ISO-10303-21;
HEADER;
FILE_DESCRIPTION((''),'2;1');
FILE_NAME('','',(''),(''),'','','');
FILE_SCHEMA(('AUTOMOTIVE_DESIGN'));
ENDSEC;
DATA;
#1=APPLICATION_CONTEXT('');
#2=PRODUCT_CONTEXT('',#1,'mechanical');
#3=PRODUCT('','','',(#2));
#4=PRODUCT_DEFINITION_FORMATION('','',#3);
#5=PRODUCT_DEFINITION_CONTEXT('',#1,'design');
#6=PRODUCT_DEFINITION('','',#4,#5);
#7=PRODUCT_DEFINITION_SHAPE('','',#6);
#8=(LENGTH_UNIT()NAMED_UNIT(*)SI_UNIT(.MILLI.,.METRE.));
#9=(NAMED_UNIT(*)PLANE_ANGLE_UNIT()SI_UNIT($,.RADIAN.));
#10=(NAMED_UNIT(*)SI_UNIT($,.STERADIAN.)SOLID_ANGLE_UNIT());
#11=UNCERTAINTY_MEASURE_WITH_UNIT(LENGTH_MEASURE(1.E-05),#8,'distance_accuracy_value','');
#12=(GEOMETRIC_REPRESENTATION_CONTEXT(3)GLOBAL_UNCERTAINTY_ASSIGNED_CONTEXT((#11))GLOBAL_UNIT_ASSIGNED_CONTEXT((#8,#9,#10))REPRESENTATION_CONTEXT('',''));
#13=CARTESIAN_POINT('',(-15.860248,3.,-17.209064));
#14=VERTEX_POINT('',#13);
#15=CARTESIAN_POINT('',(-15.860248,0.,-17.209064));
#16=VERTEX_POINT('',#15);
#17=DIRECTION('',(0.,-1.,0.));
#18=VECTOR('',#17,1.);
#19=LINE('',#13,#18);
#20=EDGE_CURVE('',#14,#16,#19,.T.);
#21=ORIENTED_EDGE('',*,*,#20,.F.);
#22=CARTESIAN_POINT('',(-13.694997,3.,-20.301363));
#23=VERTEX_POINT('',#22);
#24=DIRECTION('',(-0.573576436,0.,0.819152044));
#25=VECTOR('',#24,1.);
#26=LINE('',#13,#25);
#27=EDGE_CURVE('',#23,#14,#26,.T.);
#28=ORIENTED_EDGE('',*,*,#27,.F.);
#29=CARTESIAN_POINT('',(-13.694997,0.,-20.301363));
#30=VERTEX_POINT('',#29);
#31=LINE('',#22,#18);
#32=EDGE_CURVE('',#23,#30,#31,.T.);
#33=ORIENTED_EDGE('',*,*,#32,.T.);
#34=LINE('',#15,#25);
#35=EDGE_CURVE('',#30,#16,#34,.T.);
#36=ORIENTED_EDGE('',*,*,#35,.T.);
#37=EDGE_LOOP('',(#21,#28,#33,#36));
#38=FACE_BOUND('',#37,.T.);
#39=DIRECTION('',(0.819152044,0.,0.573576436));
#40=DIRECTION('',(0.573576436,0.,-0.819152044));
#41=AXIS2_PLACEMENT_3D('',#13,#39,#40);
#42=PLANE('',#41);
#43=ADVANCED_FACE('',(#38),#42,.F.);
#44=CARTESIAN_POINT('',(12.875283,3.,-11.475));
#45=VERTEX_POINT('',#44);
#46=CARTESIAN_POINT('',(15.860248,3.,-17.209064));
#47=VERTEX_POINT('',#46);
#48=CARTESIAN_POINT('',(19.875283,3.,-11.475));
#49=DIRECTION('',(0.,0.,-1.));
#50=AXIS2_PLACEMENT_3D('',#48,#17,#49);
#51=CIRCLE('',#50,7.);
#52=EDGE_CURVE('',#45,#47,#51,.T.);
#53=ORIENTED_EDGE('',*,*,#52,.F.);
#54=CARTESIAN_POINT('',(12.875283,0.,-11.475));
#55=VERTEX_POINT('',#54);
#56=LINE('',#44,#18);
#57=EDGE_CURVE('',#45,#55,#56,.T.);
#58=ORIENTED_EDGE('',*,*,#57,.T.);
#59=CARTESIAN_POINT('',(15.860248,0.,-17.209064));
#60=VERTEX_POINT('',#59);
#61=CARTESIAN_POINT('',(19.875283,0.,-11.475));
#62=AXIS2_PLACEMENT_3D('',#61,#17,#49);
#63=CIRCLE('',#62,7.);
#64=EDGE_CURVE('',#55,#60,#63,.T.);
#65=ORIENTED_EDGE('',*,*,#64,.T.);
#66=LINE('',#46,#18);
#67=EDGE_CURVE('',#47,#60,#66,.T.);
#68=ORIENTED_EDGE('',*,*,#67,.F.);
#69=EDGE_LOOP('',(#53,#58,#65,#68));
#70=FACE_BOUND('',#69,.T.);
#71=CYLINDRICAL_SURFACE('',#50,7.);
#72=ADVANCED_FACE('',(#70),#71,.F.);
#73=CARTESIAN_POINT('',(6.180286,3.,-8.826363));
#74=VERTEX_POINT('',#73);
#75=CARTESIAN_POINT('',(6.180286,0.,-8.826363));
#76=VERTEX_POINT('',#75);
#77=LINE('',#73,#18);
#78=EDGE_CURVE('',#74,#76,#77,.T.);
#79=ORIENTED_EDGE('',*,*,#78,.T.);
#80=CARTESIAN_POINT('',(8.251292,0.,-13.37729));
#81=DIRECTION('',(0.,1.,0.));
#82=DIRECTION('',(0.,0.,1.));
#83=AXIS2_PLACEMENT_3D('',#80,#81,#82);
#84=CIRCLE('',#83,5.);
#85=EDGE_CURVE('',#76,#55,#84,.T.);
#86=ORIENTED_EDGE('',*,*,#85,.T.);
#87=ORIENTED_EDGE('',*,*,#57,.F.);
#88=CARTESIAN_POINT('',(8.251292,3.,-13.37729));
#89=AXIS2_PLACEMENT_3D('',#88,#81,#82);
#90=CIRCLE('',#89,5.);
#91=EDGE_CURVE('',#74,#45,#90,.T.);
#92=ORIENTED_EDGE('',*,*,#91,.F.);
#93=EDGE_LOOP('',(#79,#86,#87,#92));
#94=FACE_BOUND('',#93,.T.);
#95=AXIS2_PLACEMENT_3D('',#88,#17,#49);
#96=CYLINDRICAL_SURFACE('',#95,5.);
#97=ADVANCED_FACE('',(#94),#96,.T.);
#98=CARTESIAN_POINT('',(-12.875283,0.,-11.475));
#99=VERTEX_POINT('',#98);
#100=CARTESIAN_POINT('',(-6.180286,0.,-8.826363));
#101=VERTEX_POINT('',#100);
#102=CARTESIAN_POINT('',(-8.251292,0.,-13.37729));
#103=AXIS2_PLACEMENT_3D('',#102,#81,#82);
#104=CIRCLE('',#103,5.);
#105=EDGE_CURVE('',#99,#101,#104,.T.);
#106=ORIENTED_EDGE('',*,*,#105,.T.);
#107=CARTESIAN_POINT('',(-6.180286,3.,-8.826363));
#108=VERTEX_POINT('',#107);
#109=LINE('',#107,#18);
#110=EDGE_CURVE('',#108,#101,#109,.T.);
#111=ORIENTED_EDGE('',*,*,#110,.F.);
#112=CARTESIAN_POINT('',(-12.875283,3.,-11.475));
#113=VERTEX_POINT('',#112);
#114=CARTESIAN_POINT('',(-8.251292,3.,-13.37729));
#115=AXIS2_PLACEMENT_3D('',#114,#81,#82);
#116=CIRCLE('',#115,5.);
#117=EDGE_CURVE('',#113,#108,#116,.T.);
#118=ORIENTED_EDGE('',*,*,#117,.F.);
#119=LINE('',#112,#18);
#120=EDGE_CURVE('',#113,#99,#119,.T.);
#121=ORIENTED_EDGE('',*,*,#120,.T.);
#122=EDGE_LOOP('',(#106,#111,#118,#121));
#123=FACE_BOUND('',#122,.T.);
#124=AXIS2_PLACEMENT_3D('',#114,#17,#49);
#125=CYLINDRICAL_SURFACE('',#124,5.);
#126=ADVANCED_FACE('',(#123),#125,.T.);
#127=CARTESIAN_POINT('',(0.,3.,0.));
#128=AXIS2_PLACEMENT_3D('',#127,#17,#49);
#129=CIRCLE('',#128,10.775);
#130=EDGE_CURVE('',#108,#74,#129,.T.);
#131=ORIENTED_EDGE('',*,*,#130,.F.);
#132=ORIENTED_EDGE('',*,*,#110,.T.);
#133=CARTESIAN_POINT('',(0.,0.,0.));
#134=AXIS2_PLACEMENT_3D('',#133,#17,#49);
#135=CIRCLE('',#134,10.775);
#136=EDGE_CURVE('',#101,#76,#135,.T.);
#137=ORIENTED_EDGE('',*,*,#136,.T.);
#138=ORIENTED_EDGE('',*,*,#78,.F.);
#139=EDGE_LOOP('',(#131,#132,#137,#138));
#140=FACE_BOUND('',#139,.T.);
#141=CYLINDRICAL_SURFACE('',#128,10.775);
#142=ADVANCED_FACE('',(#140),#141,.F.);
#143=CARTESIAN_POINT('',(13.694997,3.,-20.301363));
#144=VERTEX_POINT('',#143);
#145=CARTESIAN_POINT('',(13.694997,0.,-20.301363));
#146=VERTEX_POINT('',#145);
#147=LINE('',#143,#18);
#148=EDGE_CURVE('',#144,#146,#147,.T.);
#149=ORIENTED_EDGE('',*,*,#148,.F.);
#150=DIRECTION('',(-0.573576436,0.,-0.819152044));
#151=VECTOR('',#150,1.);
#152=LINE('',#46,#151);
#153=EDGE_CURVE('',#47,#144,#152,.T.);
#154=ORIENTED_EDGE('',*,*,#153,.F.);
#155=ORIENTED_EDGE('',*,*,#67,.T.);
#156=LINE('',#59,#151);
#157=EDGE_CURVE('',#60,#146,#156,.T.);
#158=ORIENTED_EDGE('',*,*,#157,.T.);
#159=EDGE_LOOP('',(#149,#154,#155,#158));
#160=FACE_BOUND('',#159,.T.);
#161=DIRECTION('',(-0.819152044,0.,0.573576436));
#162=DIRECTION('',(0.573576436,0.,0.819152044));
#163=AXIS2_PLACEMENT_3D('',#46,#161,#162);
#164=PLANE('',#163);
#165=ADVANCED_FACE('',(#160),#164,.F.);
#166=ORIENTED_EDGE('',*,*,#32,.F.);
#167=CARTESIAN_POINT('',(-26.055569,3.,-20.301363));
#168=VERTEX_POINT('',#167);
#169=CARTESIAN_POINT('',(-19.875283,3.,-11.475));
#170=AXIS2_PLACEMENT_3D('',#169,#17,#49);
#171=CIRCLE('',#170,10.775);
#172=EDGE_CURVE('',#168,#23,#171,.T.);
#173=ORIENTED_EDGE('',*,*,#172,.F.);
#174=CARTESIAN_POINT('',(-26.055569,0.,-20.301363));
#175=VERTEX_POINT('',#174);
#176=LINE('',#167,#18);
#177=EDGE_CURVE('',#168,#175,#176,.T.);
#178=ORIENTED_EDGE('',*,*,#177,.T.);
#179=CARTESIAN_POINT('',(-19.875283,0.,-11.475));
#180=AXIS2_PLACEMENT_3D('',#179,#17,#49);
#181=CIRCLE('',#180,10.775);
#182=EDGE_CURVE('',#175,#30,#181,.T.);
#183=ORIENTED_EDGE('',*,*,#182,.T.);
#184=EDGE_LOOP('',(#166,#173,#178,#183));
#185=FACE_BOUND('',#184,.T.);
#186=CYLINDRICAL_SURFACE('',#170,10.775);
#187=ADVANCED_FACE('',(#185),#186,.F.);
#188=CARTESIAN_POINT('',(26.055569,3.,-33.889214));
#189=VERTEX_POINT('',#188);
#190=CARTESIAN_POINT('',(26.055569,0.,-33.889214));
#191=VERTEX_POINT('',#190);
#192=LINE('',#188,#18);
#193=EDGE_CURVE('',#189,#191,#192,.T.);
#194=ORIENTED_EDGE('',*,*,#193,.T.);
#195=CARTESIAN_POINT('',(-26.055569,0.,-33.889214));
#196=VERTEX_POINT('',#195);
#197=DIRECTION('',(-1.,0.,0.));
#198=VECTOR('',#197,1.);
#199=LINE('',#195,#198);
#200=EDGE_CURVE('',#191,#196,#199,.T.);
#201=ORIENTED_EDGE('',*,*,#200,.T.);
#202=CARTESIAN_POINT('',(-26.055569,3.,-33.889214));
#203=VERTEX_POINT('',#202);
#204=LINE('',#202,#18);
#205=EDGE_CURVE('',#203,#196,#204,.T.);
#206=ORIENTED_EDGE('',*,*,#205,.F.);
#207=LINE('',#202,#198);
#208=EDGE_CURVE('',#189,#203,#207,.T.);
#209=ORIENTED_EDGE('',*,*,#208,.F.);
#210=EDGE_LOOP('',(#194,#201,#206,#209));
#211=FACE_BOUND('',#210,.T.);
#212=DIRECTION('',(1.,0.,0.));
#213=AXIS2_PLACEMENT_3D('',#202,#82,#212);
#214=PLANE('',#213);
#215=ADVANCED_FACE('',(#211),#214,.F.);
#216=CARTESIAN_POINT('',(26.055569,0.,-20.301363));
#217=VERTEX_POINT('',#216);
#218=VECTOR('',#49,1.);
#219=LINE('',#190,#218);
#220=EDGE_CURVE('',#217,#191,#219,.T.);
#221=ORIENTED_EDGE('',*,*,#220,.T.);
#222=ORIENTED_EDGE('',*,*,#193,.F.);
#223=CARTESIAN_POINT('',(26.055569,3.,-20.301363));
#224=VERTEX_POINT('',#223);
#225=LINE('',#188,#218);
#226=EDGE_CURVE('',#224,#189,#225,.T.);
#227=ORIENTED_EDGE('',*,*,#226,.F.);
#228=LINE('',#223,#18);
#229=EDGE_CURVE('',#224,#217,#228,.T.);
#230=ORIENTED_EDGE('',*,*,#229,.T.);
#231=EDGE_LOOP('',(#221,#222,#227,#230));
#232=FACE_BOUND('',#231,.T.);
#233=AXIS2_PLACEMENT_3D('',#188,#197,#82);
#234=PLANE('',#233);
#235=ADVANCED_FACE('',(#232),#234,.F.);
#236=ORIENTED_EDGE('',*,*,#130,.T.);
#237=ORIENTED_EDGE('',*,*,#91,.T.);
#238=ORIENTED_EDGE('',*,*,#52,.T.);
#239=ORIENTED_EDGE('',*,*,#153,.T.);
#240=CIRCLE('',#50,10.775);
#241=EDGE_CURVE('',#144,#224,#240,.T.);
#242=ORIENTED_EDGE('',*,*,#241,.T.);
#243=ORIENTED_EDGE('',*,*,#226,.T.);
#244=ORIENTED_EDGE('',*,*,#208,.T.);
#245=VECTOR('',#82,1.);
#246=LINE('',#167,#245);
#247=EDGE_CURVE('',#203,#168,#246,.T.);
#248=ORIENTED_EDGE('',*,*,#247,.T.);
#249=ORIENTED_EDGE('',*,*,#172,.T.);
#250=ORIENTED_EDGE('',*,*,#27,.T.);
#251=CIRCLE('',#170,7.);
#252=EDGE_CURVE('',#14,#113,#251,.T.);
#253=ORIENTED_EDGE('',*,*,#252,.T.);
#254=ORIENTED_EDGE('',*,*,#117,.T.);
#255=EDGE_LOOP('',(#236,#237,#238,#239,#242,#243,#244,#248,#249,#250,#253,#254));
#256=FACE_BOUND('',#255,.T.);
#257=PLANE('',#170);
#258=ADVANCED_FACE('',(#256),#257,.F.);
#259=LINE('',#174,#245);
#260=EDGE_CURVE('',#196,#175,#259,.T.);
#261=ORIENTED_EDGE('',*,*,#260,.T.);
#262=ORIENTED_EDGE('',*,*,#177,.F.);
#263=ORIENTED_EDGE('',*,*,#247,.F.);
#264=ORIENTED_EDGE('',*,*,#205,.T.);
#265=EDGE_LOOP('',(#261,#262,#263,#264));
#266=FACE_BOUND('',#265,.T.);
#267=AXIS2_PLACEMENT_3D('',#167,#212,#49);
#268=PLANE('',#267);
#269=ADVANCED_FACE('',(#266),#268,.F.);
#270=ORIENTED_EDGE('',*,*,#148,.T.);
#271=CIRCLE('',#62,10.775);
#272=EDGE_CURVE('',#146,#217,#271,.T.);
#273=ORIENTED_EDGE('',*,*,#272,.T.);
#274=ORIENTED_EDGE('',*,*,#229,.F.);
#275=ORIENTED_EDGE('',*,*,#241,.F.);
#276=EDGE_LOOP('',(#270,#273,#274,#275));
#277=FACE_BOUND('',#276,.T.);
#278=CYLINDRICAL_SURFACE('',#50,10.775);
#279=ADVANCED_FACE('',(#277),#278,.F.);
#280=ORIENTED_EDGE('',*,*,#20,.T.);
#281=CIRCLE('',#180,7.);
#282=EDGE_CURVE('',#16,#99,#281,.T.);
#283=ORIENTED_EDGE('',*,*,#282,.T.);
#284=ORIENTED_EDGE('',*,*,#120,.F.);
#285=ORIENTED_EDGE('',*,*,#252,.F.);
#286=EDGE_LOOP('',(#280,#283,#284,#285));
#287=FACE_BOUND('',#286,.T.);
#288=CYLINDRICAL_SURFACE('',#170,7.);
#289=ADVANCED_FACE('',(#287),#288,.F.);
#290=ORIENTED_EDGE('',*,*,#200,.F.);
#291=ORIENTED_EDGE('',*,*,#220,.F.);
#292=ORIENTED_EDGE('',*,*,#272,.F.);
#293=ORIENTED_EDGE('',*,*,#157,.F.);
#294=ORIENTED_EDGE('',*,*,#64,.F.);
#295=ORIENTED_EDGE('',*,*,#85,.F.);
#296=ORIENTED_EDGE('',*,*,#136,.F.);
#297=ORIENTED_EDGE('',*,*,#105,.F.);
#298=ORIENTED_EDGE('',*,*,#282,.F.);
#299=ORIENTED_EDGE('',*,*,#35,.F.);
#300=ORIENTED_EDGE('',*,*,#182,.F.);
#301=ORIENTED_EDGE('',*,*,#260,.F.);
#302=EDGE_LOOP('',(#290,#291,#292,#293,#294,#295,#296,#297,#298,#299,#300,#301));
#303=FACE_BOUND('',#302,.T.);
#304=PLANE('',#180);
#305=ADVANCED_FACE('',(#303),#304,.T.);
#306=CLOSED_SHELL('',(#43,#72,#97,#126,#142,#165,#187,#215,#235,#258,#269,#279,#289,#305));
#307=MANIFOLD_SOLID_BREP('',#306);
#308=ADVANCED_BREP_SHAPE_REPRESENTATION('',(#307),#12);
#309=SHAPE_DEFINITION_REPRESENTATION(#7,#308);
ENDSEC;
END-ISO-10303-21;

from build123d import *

# Parameters (mm, degrees)
BOSS_EXTRUDE1_DEPTH = 3


with BuildPart() as part:
    # Sketch2 → Boss-Extrude1 (new body)
    with BuildSketch(Plane(origin=(0, 0, 0), x_dir=(1, 0, 0), z_dir=(0, 1, 0))):
        with BuildLine():
            Line((-15.860247962, 17.20906431), (-13.694996915, 20.301363277))
            ThreePointArc((-13.694996915, 20.301363277), (-19.875283017, 22.25), (-26.055569119, 20.301363277))
            Line((-26.055569119, 20.301363277), (-26.055569119, 33.889213566))
            Line((-26.055569119, 33.889213566), (26.055569119, 33.889213566))
            Line((26.055569119, 33.889213566), (26.055569119, 20.301363277))
            ThreePointArc((26.055569119, 20.301363277), (19.875283017, 22.25), (13.694996915, 20.301363277))
            Line((13.694996915, 20.301363277), (15.860247962, 17.20906431))
            ThreePointArc((15.860247962, 17.20906431), (13.666207185, 14.707240293), (12.875283017, 11.475))
            ThreePointArc((12.875283017, 11.475), (10.090653959, 8.727908609), (6.180286102, 8.826363277))
            ThreePointArc((6.180286102, 8.826363277), (0, 10.775), (-6.180286102, 8.826363277))
            ThreePointArc((-6.180286102, 8.826363277), (-10.090653959, 8.727908609), (-12.875283017, 11.475))
            ThreePointArc((-12.875283017, 11.475), (-13.666207185, 14.707240293), (-15.860247962, 17.20906431))
        make_face()
    extrude(amount=BOSS_EXTRUDE1_DEPTH)


solid = part.part
